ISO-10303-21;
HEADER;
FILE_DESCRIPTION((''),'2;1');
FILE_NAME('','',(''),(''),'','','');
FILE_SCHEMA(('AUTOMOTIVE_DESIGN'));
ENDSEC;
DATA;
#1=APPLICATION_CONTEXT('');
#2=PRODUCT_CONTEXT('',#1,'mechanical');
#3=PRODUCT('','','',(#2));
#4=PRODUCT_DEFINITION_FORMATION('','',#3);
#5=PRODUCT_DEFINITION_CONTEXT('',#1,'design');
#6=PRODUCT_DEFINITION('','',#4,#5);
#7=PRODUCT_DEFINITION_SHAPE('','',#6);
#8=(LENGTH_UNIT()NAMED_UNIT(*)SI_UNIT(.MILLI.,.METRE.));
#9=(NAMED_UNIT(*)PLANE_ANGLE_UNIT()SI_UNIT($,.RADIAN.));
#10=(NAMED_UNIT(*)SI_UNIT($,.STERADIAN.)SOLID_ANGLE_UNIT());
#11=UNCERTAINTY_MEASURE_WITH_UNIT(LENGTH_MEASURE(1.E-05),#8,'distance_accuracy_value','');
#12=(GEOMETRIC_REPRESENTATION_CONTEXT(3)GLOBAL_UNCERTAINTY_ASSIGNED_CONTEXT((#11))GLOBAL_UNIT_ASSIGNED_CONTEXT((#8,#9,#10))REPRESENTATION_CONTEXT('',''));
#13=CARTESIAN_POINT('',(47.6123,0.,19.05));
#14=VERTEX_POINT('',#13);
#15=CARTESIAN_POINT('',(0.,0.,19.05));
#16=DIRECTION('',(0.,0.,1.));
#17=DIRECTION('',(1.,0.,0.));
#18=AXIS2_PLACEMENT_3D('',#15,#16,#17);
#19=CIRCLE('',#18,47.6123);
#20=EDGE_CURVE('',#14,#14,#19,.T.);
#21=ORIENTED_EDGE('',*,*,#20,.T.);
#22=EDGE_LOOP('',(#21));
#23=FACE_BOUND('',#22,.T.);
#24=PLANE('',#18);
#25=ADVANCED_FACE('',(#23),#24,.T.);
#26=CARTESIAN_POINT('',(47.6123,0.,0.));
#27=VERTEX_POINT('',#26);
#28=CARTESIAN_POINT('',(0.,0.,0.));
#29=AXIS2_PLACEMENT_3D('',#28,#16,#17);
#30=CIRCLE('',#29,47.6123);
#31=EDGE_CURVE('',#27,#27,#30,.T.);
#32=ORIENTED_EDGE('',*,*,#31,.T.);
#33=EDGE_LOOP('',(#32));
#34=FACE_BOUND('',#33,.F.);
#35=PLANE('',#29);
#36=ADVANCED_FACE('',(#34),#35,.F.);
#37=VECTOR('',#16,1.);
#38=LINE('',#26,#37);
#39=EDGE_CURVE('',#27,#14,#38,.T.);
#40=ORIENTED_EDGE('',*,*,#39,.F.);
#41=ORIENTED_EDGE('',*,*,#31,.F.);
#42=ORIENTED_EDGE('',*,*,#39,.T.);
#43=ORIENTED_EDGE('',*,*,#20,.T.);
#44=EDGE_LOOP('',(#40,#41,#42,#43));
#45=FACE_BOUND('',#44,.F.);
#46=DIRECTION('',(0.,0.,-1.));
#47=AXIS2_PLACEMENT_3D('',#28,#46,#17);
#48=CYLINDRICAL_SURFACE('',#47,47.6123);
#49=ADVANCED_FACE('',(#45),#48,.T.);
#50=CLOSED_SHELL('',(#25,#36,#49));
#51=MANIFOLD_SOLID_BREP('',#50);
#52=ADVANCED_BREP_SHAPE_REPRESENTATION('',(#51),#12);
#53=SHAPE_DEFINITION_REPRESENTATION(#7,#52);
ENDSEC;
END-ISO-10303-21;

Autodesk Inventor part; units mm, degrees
ref_plane "YZ Plane" through (0, 0, 0) normal (1, 0, 0) x (0, 1, 0)
ref_plane "XZ Plane" through (0, 0, 0) normal (0, 1, 0) x (-1, 0, 0)
ref_plane "XY Plane" through (0, 0, 0) normal (0, 0, 1) x (1, 0, 0)
sketch "Sketch1" plane through (0, 0, 0) normal (0, 0, 1) x (1, 0, 0)
  circle A0 centre (0, 0) radius 47.6123
  dimension "d0" = 95.2246
  dimension "d0" = 95.2246
extrude "Extrusion1" add sketch "Sketch1" along normal blind 19.05
properties part number "cap"
